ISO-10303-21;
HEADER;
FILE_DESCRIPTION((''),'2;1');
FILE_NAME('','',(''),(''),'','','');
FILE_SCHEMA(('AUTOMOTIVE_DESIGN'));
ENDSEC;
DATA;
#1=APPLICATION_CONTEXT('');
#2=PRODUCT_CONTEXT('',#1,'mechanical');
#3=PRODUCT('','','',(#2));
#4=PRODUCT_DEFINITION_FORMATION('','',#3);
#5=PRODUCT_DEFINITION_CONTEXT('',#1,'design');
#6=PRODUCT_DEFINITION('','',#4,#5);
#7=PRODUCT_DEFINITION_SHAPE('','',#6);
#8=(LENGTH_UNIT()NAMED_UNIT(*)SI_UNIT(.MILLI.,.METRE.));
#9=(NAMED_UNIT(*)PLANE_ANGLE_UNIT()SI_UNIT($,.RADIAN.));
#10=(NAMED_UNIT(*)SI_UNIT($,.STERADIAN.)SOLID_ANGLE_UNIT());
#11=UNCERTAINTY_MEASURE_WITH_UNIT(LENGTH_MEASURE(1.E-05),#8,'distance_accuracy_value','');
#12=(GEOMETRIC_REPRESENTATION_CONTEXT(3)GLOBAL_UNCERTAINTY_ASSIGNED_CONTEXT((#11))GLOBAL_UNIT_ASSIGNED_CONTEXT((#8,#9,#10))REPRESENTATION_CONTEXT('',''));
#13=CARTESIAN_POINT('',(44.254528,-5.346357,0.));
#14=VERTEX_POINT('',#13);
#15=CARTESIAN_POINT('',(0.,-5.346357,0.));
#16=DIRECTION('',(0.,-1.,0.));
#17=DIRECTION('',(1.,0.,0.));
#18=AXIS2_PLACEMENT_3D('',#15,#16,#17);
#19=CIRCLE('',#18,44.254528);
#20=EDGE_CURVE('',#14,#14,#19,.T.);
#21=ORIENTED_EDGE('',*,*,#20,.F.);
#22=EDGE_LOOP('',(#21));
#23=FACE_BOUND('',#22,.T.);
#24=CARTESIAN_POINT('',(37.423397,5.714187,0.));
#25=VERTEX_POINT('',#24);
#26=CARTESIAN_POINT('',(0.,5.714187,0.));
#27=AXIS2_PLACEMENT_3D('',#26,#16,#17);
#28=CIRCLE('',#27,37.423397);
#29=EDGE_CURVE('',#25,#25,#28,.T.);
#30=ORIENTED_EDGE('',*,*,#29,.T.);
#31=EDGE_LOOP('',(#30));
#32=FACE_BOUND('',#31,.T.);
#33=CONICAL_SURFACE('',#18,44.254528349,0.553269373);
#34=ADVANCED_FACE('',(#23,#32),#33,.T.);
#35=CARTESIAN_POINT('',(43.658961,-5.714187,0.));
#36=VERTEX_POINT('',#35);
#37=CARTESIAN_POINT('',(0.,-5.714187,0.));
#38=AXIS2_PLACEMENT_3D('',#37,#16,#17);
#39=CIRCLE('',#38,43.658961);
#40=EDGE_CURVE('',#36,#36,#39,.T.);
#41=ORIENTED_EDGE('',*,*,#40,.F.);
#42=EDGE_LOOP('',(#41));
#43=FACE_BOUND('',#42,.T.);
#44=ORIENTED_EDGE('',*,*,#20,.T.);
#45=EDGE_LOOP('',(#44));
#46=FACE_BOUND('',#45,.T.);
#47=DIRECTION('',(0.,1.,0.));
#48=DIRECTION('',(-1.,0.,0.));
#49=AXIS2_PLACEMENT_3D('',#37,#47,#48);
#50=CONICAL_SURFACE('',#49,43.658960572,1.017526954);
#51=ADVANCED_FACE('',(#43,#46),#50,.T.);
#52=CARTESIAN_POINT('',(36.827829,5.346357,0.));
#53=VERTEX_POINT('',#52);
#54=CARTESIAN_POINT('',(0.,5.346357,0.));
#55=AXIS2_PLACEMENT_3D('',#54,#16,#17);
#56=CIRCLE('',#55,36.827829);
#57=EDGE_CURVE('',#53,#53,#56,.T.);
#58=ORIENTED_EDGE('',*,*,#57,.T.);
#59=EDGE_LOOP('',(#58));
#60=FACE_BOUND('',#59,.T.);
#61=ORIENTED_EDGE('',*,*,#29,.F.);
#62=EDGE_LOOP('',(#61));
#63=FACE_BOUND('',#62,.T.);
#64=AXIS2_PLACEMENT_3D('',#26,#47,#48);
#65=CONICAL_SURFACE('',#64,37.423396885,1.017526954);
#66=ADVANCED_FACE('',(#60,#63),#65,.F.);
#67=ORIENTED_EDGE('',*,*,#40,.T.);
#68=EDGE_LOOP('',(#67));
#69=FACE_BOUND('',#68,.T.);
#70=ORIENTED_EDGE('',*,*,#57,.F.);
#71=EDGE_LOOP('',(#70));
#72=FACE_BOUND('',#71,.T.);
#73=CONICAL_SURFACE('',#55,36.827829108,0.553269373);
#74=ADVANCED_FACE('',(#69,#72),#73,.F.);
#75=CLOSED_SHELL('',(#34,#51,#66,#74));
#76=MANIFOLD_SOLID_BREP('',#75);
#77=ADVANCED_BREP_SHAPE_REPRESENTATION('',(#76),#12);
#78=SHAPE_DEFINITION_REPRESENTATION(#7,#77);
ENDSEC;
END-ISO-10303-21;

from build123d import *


with BuildPart() as part:
    # Sketch1 → Revolve1 (revolve)
    with BuildSketch(Plane.XY):
        Polygon((37.423396885, 5.714187289), (44.254528349, -5.346357133), (43.658960572, -5.714187289), (36.827829108, 5.346357133), align=None)
    revolve(axis=Axis((0, -1106.917829623, 0), (0, 1, 0)))


solid = part.part
